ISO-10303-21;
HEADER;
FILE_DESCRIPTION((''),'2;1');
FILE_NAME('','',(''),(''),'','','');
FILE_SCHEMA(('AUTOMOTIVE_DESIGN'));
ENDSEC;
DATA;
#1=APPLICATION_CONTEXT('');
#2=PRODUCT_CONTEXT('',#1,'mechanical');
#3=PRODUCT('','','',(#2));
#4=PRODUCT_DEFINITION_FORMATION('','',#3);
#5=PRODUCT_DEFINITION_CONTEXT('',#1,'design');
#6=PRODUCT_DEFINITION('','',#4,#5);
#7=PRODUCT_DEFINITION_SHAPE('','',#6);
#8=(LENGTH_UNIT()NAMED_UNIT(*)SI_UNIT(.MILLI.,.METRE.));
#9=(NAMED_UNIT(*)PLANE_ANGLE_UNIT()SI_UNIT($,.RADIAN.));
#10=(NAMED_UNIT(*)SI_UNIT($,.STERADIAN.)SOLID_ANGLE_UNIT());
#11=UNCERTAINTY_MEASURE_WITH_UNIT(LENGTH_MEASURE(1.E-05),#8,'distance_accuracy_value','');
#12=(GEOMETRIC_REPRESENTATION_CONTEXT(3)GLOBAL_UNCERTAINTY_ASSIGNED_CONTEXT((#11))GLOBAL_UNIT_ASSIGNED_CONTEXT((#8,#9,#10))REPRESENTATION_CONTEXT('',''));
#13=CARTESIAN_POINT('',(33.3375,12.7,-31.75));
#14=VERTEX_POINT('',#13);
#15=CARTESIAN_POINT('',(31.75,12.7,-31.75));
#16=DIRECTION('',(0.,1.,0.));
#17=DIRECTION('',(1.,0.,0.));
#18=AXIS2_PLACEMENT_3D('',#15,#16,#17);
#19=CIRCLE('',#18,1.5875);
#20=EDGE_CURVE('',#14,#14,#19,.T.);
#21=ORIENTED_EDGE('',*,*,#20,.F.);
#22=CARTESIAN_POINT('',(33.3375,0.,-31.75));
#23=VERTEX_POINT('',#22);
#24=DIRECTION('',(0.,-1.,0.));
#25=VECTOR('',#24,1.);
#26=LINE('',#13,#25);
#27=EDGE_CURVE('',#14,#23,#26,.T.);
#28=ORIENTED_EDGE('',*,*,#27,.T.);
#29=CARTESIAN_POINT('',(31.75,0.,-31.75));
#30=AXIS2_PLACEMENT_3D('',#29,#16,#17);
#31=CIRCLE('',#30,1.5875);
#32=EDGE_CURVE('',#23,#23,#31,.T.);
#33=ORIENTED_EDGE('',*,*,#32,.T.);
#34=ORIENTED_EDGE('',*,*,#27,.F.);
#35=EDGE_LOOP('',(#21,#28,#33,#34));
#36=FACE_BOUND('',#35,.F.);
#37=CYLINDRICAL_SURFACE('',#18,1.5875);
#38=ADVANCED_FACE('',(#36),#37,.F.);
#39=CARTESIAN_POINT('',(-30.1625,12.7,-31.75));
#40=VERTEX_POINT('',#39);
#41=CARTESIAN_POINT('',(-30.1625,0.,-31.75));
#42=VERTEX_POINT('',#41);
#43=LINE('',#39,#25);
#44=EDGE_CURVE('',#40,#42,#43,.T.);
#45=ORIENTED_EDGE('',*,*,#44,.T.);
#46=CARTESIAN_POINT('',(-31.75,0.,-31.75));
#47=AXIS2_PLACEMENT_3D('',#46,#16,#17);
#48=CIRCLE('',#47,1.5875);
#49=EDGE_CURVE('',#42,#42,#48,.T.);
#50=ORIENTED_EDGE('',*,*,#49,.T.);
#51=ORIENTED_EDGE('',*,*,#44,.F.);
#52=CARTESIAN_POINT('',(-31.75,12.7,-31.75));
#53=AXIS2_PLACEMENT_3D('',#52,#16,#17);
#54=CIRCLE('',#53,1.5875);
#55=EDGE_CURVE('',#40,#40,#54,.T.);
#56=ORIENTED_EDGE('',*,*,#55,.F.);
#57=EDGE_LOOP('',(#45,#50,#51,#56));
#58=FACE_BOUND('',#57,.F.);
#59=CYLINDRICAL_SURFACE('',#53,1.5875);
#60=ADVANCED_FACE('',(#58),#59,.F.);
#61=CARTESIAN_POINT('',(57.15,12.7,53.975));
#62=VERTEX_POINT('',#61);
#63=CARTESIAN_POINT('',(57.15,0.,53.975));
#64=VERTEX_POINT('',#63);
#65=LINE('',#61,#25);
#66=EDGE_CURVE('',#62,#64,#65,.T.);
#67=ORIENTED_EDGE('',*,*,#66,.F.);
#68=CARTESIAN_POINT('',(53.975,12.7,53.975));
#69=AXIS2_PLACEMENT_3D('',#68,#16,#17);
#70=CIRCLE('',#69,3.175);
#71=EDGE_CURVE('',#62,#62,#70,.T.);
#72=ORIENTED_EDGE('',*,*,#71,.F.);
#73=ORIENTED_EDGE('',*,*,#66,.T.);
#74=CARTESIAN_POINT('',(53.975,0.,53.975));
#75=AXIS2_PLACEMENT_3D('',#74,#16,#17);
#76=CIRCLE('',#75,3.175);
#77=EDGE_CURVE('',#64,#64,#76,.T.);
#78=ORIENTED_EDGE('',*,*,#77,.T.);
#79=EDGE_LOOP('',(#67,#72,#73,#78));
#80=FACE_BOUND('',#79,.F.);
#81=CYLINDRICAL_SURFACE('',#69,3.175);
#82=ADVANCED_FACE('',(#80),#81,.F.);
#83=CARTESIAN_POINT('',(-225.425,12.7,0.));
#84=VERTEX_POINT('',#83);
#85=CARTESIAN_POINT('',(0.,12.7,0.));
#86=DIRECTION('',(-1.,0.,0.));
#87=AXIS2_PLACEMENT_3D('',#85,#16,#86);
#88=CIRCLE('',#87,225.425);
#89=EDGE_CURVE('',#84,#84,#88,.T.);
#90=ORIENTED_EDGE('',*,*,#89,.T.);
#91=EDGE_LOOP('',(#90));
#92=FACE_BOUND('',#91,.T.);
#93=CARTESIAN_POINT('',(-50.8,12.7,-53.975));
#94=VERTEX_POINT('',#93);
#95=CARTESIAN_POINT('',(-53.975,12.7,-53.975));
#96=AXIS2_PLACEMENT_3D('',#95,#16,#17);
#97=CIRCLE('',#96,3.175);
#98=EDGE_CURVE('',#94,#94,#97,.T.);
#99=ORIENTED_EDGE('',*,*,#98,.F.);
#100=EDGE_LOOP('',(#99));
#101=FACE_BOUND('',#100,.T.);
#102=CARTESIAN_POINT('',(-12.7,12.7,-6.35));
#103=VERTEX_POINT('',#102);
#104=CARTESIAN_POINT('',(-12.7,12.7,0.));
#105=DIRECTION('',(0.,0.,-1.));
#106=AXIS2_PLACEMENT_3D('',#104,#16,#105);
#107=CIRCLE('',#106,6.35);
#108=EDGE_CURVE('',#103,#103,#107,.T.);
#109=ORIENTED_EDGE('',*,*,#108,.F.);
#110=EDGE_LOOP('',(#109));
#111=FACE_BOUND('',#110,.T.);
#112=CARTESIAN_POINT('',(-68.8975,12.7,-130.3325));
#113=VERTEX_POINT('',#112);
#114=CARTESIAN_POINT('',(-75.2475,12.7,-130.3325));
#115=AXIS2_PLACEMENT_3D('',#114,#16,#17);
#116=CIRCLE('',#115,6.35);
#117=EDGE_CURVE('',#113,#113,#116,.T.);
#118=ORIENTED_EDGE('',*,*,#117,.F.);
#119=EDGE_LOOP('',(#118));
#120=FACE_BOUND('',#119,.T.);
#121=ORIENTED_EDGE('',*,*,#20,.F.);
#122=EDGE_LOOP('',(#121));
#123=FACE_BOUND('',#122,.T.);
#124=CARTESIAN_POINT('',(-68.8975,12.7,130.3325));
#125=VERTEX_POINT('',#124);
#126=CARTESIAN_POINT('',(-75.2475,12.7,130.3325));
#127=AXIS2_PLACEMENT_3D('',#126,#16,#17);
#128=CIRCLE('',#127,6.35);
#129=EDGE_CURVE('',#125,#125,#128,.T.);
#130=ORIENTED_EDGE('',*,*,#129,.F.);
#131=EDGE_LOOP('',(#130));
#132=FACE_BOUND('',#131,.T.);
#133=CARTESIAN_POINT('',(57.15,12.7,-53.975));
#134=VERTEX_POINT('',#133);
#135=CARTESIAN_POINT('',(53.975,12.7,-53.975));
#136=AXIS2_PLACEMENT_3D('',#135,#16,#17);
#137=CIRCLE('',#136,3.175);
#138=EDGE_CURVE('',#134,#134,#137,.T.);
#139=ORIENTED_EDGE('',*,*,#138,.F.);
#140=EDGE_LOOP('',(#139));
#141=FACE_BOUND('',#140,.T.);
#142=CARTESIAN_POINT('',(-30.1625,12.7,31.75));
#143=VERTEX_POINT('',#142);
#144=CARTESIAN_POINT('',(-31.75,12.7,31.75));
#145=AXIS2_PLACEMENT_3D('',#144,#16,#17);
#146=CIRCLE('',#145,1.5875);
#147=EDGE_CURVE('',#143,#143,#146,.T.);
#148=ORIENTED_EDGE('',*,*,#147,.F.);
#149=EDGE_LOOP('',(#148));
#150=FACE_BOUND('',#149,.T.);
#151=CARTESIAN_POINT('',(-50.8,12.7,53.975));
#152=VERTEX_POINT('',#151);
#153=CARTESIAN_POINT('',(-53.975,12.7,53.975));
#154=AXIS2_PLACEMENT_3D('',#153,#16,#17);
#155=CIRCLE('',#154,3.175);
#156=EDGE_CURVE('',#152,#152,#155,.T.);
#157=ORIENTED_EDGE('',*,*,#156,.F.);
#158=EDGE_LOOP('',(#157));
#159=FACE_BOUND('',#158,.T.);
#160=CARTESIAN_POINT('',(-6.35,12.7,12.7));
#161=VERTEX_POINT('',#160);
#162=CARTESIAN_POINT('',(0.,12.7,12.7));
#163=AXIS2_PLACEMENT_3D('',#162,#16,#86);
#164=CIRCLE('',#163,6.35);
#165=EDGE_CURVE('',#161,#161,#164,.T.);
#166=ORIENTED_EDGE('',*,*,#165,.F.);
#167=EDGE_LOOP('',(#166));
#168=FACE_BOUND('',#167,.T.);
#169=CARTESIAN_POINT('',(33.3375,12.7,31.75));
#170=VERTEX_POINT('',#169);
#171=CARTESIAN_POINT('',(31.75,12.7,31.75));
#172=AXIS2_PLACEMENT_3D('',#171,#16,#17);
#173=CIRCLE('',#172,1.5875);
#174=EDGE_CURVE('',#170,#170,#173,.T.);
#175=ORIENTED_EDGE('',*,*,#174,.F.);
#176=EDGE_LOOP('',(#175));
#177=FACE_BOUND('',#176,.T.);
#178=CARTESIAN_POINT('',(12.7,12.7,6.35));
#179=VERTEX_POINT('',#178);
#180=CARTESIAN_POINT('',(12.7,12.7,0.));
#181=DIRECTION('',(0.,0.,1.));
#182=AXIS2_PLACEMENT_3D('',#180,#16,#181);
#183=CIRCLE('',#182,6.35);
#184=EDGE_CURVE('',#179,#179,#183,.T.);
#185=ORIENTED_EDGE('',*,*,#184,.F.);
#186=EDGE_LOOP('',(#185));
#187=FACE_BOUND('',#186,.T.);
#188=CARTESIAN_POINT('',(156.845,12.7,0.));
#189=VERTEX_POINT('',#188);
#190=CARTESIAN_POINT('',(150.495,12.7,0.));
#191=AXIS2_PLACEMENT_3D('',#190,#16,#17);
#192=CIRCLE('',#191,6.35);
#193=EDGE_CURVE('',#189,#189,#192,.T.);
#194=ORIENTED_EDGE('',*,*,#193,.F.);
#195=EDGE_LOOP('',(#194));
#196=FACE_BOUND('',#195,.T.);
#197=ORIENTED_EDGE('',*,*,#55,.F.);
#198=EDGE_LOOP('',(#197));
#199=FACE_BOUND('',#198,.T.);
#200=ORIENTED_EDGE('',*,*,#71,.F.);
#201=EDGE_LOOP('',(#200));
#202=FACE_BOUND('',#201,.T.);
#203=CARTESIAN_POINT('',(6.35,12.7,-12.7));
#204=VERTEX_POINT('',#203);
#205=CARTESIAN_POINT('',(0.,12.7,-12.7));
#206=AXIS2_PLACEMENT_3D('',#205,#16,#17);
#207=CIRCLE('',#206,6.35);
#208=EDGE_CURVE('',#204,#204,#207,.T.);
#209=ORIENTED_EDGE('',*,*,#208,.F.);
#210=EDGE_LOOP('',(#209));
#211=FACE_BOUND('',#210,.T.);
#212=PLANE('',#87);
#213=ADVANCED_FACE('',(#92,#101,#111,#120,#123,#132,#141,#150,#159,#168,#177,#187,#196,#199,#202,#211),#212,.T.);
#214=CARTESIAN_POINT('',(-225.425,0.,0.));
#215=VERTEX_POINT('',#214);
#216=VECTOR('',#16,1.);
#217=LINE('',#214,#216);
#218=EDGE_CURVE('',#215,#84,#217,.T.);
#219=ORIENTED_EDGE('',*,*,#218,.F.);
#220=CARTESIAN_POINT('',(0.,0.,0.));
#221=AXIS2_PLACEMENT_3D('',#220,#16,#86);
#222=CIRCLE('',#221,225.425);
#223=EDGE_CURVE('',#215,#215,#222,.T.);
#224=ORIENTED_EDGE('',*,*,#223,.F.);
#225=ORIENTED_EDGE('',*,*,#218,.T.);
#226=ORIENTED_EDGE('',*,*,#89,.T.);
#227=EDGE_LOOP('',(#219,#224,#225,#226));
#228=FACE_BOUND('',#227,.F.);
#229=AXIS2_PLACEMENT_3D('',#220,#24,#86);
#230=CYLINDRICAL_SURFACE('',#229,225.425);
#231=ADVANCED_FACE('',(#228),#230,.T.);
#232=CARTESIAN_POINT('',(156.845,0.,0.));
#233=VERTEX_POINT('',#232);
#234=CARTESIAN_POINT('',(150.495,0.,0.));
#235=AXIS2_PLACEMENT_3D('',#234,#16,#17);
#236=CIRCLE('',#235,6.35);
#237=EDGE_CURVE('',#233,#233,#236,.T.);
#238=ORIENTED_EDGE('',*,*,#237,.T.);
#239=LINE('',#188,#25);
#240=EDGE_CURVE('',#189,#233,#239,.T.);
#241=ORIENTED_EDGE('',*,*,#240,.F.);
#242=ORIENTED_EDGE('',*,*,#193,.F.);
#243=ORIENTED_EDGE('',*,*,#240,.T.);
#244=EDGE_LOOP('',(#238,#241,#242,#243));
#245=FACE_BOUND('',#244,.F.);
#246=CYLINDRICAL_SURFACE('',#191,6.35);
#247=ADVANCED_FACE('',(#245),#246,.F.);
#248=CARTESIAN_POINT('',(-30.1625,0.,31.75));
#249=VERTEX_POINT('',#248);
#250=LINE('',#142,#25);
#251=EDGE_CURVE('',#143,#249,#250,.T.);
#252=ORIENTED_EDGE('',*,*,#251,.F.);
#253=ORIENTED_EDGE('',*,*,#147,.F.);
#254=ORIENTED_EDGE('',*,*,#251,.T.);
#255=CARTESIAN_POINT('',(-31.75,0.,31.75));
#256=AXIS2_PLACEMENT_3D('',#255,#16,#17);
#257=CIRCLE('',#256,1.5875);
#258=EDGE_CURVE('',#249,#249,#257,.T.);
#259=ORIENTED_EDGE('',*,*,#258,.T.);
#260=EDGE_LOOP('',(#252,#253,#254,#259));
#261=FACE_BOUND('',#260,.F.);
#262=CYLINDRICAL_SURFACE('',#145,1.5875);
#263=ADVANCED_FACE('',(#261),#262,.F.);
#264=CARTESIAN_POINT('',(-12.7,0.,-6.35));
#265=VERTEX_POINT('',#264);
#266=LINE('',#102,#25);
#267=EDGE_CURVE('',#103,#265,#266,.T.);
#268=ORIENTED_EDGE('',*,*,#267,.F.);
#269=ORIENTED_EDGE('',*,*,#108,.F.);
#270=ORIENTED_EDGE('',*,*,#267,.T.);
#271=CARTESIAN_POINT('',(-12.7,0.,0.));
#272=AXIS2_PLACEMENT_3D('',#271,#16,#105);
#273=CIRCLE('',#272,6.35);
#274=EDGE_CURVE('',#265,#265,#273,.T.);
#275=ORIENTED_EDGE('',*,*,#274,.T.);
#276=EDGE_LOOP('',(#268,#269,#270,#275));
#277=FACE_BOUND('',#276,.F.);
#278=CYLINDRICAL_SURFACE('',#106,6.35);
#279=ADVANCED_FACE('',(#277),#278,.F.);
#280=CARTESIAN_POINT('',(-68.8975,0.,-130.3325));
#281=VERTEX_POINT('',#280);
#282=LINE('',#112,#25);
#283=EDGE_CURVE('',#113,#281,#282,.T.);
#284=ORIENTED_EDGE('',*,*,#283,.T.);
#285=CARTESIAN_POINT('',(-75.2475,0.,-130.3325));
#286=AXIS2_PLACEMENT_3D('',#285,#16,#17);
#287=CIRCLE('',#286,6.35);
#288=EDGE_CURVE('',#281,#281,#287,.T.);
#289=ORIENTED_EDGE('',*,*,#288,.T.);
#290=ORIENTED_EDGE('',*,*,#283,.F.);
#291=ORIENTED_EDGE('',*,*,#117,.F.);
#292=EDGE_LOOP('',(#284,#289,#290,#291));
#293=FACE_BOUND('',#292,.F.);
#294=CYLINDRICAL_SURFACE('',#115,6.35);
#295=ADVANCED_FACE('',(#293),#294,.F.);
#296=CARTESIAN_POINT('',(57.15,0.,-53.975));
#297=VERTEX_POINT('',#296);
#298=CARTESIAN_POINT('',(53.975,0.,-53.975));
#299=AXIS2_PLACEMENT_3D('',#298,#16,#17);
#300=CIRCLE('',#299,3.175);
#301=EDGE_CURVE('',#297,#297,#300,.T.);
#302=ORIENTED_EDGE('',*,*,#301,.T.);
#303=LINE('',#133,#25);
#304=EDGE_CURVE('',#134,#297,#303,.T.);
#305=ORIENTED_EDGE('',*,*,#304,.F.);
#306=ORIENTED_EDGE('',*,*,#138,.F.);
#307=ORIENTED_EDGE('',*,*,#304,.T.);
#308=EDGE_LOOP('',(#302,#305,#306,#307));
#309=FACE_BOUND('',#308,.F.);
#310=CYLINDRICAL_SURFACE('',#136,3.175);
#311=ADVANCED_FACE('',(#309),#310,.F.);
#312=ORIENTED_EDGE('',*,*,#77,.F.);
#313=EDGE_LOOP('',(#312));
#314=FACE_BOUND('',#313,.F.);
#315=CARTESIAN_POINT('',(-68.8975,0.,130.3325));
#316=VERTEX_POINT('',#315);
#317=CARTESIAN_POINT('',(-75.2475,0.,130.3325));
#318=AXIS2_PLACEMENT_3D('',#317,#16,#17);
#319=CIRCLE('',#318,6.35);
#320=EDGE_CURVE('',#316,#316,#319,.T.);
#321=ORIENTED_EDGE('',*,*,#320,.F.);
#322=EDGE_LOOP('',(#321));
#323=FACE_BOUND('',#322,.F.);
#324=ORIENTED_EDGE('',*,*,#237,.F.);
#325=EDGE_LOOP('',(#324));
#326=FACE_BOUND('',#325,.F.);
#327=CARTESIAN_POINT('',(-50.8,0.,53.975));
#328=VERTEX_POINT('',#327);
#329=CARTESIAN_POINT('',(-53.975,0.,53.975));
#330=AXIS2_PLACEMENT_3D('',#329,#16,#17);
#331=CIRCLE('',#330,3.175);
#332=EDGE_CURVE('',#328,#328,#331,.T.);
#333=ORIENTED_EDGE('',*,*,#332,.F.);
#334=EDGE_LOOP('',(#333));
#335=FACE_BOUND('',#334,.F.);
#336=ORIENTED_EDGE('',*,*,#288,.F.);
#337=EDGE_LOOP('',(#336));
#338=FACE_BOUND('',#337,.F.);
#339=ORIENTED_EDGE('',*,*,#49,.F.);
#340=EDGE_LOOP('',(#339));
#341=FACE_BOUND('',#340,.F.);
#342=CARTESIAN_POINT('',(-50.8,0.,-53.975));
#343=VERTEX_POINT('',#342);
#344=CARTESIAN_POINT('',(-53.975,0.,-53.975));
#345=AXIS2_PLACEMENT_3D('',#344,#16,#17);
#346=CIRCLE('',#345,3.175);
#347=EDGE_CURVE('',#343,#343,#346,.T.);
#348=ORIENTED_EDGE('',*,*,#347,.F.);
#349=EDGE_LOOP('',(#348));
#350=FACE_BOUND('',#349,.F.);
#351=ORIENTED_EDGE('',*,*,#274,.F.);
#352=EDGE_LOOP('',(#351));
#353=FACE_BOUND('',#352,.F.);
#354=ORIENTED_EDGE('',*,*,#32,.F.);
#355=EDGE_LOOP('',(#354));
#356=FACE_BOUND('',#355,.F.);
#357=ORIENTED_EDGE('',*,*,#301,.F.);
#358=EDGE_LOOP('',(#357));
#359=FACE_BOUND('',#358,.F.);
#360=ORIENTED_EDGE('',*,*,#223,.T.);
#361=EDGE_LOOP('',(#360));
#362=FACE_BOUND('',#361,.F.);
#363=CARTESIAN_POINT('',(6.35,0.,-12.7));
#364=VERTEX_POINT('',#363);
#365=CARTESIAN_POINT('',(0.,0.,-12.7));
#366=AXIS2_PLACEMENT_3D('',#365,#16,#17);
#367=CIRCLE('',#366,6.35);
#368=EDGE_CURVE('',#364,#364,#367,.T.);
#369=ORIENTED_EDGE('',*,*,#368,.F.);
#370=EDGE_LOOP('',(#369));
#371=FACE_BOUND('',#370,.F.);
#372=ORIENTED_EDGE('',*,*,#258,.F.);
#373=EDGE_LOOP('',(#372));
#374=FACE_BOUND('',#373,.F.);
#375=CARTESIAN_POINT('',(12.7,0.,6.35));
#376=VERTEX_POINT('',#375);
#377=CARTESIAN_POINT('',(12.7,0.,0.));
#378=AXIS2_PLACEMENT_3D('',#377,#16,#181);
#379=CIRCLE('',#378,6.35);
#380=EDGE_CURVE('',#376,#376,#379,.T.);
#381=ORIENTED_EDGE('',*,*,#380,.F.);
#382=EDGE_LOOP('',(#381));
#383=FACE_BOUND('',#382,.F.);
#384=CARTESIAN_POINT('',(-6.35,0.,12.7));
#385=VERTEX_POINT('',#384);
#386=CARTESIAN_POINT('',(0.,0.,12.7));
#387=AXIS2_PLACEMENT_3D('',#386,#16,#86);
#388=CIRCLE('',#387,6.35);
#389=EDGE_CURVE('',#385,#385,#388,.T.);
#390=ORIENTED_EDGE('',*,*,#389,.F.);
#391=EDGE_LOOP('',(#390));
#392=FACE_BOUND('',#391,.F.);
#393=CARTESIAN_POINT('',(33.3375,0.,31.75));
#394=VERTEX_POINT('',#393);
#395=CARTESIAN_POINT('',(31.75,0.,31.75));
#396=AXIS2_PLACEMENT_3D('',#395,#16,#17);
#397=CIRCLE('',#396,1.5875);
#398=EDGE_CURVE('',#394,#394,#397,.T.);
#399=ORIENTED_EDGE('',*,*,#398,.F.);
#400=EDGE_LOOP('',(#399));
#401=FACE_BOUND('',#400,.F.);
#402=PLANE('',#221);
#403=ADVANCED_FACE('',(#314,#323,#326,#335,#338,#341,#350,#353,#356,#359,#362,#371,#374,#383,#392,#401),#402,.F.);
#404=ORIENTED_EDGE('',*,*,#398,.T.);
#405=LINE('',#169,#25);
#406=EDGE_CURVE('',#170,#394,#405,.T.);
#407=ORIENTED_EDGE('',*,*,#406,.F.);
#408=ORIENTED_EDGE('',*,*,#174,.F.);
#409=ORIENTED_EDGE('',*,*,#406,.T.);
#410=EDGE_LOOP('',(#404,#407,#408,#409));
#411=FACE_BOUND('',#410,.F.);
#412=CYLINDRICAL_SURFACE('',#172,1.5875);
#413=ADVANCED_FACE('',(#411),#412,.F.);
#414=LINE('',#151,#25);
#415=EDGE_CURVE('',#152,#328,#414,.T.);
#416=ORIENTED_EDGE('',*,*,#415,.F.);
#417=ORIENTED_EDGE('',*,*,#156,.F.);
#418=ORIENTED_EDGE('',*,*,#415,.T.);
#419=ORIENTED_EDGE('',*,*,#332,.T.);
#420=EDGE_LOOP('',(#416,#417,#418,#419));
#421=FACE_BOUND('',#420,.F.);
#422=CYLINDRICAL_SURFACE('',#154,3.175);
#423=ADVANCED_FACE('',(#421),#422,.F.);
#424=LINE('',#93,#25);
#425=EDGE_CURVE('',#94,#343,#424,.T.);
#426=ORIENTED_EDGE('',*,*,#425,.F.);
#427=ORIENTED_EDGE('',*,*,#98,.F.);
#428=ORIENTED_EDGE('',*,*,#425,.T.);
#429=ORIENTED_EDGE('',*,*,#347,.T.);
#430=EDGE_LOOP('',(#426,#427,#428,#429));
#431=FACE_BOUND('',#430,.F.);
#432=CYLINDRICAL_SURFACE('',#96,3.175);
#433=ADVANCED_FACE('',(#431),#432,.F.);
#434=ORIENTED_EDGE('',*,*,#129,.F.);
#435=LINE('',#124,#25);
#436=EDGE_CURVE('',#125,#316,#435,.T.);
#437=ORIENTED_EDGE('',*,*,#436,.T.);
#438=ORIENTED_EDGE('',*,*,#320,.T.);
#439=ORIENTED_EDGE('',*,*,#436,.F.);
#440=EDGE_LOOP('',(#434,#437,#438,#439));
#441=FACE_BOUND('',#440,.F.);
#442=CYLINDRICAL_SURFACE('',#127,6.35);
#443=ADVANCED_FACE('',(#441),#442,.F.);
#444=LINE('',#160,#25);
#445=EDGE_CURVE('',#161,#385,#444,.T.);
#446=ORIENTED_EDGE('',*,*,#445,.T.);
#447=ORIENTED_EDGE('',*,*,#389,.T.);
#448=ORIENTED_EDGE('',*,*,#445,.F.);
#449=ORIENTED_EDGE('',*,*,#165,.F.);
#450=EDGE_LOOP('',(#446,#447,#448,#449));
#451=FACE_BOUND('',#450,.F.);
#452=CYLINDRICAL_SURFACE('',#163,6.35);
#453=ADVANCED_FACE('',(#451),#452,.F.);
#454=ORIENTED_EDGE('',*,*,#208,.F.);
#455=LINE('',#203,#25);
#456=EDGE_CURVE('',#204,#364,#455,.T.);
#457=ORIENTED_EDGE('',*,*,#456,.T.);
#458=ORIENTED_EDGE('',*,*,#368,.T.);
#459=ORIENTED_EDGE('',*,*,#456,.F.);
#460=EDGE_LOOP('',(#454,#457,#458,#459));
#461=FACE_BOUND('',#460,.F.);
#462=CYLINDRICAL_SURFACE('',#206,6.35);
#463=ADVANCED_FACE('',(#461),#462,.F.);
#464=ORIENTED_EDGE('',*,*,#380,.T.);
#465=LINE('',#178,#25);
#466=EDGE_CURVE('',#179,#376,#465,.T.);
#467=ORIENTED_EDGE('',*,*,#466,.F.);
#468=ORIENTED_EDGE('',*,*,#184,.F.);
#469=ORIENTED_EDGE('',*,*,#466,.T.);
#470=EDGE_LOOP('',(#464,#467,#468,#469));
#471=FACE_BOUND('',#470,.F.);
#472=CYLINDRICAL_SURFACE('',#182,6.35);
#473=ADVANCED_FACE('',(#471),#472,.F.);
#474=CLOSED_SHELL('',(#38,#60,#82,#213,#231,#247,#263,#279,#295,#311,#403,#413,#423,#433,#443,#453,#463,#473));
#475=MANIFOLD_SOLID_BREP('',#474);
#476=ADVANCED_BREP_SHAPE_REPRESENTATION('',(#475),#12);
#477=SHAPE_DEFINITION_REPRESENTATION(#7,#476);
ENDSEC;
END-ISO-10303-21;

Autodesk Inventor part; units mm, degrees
ref_plane "YZ Plane" through (0, 0, 0) normal (1, 0, 0) x (0, 1, 0)
ref_plane "XZ Plane" through (0, 0, 0) normal (0, 1, 0) x (-1, 0, 0)
ref_plane "XY Plane" through (0, 0, 0) normal (0, 0, 1) x (1, 0, 0)
sketch "Sketch1" plane through (0, 0, 0) normal (0, 1, 0) x (-1, 0, 0)
  circle A0 centre (0, 0) radius 225.425
  dimension "d0" = 450.85
extrude "Extrusion1" add sketch "Sketch1" along normal blind 12.7
sketch "Sketch2" plane through (0, 12.7, 0) normal (0, 1, 0) x (1, 0, 0)
  circle A0 centre (0, 0) radius 225.425 projected
  circle A1 centre (0, 12.7) radius 6.35
  dimension "d3" = 12.7
  dimension "d4" = 12.7
extrude "Extrusion2" cut sketch "Sketch2" against normal blind 12.7 contours A1
pattern_circular "Circular Pattern1" count 4 over 360 about axis through (0, -10, 0) along (0, 1, 0) of "Extrusion2"
sketch "Sketch3" plane through (0, 12.7, 0) normal (0, 1, 0) x (1, 0, 0)
  circle A0 centre (0, 0) radius 225.425 projected
  line L0 (-38.1, 38.1) -> (38.1, 38.1)
  line L1 (38.1, 38.1) -> (38.1, -38.1)
  line L2 (38.1, -38.1) -> (-38.1, -38.1)
  line L3 (-38.1, -38.1) -> (-38.1, 38.1)
  circle A1 centre (-31.75, 31.75) radius 1.5875
  circle A2 centre (31.75, 31.75) radius 1.5875
  circle A3 centre (-31.75, -31.75) radius 1.5875
  circle A4 centre (31.75, -31.75) radius 1.5875
  line L4 (-63.5, 63.5) -> (63.5, 63.5)
  line L5 (63.5, 63.5) -> (63.5, -63.5)
  line L6 (63.5, -63.5) -> (-63.5, -63.5)
  line L7 (-63.5, -63.5) -> (-63.5, 63.5)
  circle A5 centre (53.975, 53.975) radius 3.175
  circle A6 centre (-53.975, 53.975) radius 3.175
  circle A7 centre (53.975, -53.975) radius 3.175
  circle A8 centre (-53.975, -53.975) radius 3.175
  circle A9 centre (150.495, 0) radius 6.35
  circle A10 centre (-75.2475, 130.3325) radius 6.35
  circle A11 centre (-75.2475, -130.3325) radius 6.35
  dimension "d10" = 76.2
  dimension "d11" = 76.2
  dimension "d12" = 38.1
  dimension "d13" = 38.1
  dimension "d14" = 3.175
  dimension "d15" = 6.35
  dimension "d16" = 6.35
  dimension "d19" = 63.5
  dimension "d22" = 63.5
  dimension "d27" = 127
  dimension "d28" = 127
  dimension "d29" = 63.5
  dimension "d30" = 63.5
  dimension "d31" = 6.35
  dimension "d32" = 9.525
  dimension "d33" = 9.525
  dimension "d36" = 107.95
  dimension "d39" = 107.95
  dimension "d42" = 12.7
  dimension "d43" = 150.495
  dimension "d46" = 360
extrude "Extrusion3" cut sketch "Sketch3" against normal blind 12.7 contours A1 | A2 | A3 | A4 | A5 | A6 | A7 | A8 | A9 | A10 | A11
properties part number "Base_Can"
